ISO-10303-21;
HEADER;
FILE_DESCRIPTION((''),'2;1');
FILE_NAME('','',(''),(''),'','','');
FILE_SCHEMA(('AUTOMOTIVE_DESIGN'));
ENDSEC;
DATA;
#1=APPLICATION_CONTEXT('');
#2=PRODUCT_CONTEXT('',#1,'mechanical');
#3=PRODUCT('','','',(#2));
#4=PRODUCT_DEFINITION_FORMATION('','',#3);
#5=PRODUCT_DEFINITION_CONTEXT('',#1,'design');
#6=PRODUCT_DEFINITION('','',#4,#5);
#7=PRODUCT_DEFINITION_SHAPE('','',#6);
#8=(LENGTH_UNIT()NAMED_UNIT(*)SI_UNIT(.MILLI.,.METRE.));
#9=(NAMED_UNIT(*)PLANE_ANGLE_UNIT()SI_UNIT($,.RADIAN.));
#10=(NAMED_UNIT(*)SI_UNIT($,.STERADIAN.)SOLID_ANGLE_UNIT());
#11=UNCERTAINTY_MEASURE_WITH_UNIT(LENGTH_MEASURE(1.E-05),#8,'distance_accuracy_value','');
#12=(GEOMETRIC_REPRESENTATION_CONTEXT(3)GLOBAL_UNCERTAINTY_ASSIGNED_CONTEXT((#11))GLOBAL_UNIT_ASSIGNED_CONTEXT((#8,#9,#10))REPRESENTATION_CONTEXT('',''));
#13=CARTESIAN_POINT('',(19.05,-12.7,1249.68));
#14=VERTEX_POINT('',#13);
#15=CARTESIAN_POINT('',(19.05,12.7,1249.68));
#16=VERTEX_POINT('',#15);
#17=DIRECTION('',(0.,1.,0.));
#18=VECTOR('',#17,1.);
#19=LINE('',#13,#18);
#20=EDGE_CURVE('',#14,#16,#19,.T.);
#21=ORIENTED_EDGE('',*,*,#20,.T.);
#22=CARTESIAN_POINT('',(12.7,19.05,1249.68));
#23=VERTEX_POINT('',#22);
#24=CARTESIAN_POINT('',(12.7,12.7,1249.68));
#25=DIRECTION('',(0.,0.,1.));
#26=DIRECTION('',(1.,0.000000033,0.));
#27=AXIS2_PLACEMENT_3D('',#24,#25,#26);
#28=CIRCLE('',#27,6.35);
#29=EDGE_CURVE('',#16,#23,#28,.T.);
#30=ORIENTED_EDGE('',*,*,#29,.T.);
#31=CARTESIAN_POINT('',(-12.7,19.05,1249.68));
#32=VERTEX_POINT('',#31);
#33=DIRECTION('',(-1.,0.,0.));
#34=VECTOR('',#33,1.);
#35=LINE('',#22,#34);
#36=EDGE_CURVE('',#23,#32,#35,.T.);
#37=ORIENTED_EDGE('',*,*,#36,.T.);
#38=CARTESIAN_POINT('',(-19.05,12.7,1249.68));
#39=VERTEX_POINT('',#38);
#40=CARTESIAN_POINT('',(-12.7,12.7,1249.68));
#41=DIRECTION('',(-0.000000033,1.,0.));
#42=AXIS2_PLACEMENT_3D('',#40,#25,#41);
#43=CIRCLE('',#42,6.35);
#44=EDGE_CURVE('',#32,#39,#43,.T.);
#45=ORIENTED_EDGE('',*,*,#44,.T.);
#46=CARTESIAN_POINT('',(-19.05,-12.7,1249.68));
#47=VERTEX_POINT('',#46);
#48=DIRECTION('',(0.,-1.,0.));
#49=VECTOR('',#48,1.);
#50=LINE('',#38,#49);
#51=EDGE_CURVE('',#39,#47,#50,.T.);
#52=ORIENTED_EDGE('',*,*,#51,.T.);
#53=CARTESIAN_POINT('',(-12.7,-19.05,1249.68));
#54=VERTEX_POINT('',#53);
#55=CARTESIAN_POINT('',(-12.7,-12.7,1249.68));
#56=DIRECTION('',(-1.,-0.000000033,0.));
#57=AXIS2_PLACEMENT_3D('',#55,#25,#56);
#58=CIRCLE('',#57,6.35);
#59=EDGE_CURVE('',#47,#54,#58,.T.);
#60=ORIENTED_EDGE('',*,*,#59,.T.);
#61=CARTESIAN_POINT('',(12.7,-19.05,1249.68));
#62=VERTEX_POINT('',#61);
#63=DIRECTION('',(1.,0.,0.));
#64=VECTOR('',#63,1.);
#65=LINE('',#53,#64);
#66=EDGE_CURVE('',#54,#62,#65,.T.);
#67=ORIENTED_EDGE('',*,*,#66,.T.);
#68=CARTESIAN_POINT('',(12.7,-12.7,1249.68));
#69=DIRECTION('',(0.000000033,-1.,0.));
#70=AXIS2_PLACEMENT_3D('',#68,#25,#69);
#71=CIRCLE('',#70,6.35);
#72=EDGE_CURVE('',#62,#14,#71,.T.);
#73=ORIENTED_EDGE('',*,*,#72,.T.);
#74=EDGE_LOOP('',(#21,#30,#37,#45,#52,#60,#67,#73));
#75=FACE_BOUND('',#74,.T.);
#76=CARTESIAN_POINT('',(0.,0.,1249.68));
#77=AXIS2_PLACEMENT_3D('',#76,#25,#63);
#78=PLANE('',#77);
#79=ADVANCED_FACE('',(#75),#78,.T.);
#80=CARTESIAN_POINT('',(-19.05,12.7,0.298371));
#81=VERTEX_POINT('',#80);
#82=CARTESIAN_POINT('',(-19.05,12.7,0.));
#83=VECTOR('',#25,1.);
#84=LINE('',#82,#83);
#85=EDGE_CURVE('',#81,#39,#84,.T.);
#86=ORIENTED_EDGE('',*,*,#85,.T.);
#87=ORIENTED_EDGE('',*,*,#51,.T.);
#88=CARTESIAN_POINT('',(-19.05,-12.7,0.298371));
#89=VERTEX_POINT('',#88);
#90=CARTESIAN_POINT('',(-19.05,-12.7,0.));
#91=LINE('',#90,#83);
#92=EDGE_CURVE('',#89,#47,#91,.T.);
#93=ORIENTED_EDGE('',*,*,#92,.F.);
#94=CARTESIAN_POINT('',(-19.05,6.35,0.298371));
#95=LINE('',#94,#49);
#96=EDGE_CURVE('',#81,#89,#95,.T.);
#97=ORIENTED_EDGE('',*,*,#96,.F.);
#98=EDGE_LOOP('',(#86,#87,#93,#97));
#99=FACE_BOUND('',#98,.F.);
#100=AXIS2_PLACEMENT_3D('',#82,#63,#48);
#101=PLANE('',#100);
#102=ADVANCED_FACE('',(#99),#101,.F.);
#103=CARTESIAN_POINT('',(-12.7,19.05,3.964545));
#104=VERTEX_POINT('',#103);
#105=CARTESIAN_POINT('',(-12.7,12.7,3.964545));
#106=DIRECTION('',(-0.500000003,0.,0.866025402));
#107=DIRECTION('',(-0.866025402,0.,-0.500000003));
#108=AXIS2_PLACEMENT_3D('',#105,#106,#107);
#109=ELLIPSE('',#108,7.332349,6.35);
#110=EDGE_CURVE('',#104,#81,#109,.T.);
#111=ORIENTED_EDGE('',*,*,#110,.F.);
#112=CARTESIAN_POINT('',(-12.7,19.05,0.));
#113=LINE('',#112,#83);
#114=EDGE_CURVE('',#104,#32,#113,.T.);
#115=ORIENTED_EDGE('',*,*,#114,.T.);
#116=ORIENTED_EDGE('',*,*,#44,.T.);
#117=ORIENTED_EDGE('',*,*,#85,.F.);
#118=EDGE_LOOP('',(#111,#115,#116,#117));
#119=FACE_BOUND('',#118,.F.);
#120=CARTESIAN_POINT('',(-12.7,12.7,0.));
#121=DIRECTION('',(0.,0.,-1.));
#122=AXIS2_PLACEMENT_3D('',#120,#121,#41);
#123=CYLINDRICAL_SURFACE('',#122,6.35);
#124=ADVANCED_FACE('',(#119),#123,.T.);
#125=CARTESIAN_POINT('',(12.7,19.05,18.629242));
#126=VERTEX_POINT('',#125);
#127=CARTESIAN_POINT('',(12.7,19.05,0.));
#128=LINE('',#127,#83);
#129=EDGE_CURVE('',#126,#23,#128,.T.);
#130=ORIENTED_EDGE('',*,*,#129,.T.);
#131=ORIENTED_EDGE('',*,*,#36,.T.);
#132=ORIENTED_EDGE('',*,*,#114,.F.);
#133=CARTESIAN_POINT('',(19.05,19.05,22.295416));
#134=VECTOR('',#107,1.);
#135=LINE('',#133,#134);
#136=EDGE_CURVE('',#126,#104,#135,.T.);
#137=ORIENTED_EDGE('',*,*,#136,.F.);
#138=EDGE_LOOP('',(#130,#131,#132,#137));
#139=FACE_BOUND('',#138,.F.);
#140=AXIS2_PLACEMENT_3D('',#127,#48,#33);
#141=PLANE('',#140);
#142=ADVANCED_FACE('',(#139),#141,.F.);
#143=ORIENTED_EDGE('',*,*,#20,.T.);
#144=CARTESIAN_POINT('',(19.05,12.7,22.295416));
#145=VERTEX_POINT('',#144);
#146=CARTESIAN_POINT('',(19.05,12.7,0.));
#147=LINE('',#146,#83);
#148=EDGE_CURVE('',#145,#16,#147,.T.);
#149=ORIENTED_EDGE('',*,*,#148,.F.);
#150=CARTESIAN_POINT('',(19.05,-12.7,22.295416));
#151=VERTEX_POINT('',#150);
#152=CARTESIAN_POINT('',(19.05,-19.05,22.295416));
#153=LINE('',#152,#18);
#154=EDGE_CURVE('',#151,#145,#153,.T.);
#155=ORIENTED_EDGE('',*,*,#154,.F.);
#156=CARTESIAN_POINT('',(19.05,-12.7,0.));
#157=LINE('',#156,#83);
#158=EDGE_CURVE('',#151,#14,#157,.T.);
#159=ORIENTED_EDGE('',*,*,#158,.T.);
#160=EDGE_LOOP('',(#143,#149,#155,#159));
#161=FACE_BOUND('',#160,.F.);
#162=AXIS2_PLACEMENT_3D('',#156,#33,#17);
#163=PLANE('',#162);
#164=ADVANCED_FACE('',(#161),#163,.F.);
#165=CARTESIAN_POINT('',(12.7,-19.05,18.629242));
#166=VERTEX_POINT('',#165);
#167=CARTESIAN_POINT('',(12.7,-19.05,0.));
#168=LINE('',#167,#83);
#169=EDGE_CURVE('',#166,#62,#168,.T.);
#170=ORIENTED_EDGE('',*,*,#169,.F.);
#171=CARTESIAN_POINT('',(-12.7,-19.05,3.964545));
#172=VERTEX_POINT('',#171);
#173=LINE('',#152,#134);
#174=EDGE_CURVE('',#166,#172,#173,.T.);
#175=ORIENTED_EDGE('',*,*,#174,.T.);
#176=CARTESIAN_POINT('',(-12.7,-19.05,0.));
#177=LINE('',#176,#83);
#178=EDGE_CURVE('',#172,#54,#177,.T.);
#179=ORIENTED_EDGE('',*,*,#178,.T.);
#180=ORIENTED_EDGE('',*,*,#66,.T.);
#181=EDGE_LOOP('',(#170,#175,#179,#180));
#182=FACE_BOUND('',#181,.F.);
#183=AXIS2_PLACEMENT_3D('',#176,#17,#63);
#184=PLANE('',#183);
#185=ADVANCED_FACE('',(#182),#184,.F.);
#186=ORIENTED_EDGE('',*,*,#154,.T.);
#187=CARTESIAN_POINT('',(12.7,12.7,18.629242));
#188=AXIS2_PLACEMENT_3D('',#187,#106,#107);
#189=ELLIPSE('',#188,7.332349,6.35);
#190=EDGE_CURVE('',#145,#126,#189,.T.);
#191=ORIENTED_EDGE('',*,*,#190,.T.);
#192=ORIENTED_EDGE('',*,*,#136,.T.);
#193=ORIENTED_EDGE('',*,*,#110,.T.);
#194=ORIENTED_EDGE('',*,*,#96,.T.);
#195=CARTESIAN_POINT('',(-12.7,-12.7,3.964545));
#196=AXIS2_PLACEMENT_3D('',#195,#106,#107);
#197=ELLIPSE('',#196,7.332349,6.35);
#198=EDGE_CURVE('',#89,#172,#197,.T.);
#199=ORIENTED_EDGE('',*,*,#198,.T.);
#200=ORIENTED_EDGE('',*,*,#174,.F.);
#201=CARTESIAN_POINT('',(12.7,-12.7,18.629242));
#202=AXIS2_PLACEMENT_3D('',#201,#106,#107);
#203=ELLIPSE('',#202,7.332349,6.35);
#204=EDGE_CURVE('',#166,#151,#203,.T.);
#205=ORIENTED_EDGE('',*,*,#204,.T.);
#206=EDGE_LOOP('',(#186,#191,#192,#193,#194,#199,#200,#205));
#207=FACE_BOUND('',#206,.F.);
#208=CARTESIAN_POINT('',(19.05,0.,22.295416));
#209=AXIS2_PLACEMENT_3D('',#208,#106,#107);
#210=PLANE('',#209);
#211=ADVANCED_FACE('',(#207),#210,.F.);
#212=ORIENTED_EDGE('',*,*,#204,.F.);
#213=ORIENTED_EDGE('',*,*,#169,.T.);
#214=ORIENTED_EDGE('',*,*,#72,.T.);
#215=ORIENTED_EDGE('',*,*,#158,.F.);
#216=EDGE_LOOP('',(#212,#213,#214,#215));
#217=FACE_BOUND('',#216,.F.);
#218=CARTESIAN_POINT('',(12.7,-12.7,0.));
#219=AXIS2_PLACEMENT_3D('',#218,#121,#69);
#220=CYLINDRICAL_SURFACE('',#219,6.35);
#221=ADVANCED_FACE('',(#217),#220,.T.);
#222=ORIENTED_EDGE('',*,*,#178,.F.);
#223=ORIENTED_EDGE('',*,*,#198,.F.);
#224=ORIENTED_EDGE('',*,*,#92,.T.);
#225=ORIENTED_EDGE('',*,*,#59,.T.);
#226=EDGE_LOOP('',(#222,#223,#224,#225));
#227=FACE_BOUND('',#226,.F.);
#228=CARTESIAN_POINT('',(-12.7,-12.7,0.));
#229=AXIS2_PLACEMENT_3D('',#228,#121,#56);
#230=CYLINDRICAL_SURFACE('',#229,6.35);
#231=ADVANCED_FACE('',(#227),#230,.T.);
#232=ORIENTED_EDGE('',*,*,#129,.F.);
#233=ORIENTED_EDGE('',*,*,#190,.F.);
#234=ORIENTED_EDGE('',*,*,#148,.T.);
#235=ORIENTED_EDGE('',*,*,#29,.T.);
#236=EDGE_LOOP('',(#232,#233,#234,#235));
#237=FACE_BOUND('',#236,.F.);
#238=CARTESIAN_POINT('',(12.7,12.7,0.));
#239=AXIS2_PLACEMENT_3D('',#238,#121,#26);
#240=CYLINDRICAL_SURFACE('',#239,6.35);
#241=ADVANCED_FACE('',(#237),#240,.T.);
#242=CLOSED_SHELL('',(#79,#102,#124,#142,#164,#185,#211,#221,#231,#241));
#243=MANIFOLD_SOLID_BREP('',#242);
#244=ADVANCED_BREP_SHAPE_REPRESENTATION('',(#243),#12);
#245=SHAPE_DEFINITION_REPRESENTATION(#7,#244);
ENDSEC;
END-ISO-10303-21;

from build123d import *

# Parameters (mm, degrees)
F1_DEPTH = 1249.68
F3_DEPTH = 19.05


with BuildPart() as f1:
    # F0 (on Top) → F1 (new body)
    with BuildSketch(Plane.XY):
        with BuildLine():
            ThreePointArc((19.05, 12.7), (17.190128, 17.190128), (12.7, 19.05))
            Line((12.7, 19.05), (-12.7, 19.05))
            ThreePointArc((-12.7, 19.05), (-17.190128, 17.190128), (-19.05, 12.7))
            Line((-19.05, 12.7), (-19.05, -12.7))
            ThreePointArc((-19.05, -12.7), (-17.190128, -17.190128), (-12.7, -19.05))
            Line((-12.7, -19.05), (12.7, -19.05))
            ThreePointArc((12.7, -19.05), (17.190128, -17.190128), (19.05, -12.7))
            Line((19.05, -12.7), (19.05, 12.7))
        make_face()
    extrude(amount=F1_DEPTH)

    # F2 (on Front) → F3 (cut, symmetric)
    with BuildSketch(Plane.XZ):
        Polygon((19.05, 22.295416), (-19.566793, 0), (19.05, 0), align=None)
    extrude(amount=F3_DEPTH, both=True, mode=Mode.SUBTRACT)


solid = f1.part
